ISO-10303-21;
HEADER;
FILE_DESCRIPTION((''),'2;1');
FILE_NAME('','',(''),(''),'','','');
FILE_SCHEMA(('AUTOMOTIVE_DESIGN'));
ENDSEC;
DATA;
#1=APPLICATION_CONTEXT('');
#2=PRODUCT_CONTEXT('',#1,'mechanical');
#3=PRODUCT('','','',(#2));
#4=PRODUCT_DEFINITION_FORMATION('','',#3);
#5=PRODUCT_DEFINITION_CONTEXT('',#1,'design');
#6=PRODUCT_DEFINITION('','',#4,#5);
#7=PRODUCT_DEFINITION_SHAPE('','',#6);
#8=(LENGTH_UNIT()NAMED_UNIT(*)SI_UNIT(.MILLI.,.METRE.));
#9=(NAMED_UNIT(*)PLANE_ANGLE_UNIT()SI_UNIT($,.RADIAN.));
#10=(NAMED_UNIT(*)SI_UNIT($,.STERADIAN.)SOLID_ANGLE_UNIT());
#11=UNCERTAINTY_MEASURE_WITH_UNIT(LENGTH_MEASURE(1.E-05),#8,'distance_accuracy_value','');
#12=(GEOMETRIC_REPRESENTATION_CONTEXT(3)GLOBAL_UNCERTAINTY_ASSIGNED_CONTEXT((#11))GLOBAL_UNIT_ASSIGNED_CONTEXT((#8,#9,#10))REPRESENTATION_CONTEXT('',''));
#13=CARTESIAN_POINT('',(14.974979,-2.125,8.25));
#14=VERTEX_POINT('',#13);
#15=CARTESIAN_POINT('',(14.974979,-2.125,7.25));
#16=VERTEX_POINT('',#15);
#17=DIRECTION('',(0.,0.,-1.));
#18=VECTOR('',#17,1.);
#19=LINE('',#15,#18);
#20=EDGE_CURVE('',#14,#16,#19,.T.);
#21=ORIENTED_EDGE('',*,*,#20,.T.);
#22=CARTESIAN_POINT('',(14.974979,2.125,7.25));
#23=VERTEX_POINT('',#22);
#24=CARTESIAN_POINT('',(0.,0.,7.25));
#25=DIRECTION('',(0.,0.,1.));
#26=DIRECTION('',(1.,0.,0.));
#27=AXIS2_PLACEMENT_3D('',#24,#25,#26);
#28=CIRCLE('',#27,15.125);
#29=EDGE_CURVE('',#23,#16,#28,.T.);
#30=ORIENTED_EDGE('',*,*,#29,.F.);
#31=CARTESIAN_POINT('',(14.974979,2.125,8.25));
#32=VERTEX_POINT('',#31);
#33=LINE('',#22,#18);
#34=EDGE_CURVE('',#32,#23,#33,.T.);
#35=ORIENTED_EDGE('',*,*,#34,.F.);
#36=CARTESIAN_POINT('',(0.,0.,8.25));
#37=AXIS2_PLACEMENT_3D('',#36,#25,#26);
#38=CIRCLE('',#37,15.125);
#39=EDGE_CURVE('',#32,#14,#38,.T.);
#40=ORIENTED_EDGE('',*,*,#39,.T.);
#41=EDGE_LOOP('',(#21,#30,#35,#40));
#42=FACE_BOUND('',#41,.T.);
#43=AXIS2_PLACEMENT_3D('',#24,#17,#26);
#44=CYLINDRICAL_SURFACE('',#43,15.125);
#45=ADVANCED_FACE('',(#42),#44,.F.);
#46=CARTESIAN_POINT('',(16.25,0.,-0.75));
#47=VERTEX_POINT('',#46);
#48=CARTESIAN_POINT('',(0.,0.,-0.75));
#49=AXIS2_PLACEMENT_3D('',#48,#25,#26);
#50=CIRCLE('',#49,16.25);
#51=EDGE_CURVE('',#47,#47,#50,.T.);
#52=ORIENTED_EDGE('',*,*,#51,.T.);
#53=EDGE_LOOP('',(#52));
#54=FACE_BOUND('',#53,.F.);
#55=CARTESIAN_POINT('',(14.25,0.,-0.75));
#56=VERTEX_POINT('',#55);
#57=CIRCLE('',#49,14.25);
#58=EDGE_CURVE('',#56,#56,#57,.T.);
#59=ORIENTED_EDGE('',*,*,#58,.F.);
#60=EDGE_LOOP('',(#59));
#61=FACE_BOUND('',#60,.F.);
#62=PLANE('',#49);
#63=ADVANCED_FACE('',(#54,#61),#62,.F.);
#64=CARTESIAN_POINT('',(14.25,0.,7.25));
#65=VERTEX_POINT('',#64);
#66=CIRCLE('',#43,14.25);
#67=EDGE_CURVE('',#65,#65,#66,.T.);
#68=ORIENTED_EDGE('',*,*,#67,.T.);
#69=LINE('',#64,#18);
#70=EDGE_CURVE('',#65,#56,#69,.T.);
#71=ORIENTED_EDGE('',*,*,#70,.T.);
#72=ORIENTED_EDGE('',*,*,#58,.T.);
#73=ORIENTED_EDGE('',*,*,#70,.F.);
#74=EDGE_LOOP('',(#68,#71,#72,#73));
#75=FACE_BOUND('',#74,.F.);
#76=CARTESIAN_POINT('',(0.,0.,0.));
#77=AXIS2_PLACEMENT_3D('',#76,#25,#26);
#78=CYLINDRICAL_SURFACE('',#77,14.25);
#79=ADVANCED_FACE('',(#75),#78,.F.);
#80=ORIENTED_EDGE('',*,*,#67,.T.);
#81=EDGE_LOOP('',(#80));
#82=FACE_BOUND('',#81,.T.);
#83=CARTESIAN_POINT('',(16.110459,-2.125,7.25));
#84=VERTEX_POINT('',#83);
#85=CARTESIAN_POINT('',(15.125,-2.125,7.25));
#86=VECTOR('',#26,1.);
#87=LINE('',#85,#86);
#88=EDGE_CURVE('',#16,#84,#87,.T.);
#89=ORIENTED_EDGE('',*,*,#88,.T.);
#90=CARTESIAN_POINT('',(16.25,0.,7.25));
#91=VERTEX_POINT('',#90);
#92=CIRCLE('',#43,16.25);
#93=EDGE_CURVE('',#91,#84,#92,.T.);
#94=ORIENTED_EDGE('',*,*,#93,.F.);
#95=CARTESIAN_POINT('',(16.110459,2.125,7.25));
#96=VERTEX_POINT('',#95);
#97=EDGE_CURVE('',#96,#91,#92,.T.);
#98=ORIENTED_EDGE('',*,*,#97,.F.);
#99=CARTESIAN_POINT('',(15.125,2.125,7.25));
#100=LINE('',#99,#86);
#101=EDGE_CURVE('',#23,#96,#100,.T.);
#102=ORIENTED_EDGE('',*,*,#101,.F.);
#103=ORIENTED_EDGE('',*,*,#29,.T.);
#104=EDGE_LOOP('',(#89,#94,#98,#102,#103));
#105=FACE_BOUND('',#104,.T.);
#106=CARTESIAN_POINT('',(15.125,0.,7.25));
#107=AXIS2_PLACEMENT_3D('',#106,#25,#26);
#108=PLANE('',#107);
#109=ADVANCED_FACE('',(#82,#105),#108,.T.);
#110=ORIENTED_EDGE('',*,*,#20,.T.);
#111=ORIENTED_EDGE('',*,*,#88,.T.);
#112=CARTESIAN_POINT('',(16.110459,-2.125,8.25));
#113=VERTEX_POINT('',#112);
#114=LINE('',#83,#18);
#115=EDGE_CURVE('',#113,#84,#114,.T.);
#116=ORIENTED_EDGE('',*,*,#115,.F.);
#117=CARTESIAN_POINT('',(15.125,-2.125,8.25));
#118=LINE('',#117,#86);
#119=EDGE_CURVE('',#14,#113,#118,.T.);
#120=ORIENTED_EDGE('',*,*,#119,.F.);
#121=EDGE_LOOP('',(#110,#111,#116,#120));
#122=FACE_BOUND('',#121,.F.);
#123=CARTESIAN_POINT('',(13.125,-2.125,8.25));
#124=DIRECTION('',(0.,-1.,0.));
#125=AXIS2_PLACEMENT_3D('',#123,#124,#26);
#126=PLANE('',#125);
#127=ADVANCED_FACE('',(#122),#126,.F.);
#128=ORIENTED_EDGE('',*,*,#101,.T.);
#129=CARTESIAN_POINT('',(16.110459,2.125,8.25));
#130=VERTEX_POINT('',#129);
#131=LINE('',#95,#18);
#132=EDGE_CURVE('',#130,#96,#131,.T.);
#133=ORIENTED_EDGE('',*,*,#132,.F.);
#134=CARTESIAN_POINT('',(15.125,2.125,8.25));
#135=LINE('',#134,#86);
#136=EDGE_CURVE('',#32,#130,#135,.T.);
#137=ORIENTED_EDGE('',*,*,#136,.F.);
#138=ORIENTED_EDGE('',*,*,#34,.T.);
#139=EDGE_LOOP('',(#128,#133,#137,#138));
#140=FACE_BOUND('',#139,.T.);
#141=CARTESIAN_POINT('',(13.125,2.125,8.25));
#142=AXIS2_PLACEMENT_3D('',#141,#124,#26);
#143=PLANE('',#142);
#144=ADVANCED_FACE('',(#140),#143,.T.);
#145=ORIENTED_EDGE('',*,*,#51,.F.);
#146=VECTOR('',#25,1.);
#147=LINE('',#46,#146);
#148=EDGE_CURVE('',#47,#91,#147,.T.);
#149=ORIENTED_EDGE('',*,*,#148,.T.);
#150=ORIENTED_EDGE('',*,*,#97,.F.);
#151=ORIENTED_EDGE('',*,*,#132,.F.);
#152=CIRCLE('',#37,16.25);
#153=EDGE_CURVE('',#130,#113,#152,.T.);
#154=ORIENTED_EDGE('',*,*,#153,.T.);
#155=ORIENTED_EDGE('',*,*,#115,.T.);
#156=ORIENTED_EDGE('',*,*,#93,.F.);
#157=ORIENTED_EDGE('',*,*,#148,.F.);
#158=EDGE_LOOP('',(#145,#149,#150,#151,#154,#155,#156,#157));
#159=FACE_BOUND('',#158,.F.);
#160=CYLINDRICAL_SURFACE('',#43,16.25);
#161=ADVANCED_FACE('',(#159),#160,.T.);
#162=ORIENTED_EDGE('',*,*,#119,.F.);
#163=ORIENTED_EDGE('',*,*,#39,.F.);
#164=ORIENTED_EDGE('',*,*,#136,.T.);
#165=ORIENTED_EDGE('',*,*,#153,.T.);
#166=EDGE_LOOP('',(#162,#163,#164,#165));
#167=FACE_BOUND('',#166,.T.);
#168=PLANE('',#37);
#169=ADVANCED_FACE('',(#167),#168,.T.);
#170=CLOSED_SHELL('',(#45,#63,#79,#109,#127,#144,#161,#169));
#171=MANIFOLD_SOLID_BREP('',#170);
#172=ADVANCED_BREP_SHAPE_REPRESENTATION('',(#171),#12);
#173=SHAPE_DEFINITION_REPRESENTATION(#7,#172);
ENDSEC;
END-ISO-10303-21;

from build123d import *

# Parameters (mm, degrees)
F0_R          = 16.25
F0_R_2        = 14.25
F1_DEPTH      = 7.25
F1_DEPTH_BACK = 0.75
F2_R          = 16.25
F2_R_2        = 15.125
F3_DEPTH      = 1
F4_W          = 4
F4_H          = 4.25
F5_DEPTH      = 1


with BuildPart() as f1:
    # F0 (on Top) → F1 (new body, two sides)
    with BuildSketch(Plane.XY) as f1_sk:
        Circle(F0_R)
        Circle(F0_R_2, mode=Mode.SUBTRACT)
    extrude(amount=F1_DEPTH)
    extrude(f1_sk.sketch, amount=-F1_DEPTH_BACK)

    # F2 (on face) → F3 (join)
    with BuildSketch(Plane.XY.offset(7.25)):
        Circle(F2_R)
        Circle(F2_R_2, mode=Mode.SUBTRACT)
    extrude(amount=F3_DEPTH)

    # F4 (on face) → F5 (cut)
    with BuildSketch(Plane.XY.offset(8.25)):
        with Locations((15.125, 0)):
            Rectangle(F4_W, F4_H)
    extrude(amount=-F5_DEPTH, mode=Mode.SUBTRACT)


solid = f1.part
